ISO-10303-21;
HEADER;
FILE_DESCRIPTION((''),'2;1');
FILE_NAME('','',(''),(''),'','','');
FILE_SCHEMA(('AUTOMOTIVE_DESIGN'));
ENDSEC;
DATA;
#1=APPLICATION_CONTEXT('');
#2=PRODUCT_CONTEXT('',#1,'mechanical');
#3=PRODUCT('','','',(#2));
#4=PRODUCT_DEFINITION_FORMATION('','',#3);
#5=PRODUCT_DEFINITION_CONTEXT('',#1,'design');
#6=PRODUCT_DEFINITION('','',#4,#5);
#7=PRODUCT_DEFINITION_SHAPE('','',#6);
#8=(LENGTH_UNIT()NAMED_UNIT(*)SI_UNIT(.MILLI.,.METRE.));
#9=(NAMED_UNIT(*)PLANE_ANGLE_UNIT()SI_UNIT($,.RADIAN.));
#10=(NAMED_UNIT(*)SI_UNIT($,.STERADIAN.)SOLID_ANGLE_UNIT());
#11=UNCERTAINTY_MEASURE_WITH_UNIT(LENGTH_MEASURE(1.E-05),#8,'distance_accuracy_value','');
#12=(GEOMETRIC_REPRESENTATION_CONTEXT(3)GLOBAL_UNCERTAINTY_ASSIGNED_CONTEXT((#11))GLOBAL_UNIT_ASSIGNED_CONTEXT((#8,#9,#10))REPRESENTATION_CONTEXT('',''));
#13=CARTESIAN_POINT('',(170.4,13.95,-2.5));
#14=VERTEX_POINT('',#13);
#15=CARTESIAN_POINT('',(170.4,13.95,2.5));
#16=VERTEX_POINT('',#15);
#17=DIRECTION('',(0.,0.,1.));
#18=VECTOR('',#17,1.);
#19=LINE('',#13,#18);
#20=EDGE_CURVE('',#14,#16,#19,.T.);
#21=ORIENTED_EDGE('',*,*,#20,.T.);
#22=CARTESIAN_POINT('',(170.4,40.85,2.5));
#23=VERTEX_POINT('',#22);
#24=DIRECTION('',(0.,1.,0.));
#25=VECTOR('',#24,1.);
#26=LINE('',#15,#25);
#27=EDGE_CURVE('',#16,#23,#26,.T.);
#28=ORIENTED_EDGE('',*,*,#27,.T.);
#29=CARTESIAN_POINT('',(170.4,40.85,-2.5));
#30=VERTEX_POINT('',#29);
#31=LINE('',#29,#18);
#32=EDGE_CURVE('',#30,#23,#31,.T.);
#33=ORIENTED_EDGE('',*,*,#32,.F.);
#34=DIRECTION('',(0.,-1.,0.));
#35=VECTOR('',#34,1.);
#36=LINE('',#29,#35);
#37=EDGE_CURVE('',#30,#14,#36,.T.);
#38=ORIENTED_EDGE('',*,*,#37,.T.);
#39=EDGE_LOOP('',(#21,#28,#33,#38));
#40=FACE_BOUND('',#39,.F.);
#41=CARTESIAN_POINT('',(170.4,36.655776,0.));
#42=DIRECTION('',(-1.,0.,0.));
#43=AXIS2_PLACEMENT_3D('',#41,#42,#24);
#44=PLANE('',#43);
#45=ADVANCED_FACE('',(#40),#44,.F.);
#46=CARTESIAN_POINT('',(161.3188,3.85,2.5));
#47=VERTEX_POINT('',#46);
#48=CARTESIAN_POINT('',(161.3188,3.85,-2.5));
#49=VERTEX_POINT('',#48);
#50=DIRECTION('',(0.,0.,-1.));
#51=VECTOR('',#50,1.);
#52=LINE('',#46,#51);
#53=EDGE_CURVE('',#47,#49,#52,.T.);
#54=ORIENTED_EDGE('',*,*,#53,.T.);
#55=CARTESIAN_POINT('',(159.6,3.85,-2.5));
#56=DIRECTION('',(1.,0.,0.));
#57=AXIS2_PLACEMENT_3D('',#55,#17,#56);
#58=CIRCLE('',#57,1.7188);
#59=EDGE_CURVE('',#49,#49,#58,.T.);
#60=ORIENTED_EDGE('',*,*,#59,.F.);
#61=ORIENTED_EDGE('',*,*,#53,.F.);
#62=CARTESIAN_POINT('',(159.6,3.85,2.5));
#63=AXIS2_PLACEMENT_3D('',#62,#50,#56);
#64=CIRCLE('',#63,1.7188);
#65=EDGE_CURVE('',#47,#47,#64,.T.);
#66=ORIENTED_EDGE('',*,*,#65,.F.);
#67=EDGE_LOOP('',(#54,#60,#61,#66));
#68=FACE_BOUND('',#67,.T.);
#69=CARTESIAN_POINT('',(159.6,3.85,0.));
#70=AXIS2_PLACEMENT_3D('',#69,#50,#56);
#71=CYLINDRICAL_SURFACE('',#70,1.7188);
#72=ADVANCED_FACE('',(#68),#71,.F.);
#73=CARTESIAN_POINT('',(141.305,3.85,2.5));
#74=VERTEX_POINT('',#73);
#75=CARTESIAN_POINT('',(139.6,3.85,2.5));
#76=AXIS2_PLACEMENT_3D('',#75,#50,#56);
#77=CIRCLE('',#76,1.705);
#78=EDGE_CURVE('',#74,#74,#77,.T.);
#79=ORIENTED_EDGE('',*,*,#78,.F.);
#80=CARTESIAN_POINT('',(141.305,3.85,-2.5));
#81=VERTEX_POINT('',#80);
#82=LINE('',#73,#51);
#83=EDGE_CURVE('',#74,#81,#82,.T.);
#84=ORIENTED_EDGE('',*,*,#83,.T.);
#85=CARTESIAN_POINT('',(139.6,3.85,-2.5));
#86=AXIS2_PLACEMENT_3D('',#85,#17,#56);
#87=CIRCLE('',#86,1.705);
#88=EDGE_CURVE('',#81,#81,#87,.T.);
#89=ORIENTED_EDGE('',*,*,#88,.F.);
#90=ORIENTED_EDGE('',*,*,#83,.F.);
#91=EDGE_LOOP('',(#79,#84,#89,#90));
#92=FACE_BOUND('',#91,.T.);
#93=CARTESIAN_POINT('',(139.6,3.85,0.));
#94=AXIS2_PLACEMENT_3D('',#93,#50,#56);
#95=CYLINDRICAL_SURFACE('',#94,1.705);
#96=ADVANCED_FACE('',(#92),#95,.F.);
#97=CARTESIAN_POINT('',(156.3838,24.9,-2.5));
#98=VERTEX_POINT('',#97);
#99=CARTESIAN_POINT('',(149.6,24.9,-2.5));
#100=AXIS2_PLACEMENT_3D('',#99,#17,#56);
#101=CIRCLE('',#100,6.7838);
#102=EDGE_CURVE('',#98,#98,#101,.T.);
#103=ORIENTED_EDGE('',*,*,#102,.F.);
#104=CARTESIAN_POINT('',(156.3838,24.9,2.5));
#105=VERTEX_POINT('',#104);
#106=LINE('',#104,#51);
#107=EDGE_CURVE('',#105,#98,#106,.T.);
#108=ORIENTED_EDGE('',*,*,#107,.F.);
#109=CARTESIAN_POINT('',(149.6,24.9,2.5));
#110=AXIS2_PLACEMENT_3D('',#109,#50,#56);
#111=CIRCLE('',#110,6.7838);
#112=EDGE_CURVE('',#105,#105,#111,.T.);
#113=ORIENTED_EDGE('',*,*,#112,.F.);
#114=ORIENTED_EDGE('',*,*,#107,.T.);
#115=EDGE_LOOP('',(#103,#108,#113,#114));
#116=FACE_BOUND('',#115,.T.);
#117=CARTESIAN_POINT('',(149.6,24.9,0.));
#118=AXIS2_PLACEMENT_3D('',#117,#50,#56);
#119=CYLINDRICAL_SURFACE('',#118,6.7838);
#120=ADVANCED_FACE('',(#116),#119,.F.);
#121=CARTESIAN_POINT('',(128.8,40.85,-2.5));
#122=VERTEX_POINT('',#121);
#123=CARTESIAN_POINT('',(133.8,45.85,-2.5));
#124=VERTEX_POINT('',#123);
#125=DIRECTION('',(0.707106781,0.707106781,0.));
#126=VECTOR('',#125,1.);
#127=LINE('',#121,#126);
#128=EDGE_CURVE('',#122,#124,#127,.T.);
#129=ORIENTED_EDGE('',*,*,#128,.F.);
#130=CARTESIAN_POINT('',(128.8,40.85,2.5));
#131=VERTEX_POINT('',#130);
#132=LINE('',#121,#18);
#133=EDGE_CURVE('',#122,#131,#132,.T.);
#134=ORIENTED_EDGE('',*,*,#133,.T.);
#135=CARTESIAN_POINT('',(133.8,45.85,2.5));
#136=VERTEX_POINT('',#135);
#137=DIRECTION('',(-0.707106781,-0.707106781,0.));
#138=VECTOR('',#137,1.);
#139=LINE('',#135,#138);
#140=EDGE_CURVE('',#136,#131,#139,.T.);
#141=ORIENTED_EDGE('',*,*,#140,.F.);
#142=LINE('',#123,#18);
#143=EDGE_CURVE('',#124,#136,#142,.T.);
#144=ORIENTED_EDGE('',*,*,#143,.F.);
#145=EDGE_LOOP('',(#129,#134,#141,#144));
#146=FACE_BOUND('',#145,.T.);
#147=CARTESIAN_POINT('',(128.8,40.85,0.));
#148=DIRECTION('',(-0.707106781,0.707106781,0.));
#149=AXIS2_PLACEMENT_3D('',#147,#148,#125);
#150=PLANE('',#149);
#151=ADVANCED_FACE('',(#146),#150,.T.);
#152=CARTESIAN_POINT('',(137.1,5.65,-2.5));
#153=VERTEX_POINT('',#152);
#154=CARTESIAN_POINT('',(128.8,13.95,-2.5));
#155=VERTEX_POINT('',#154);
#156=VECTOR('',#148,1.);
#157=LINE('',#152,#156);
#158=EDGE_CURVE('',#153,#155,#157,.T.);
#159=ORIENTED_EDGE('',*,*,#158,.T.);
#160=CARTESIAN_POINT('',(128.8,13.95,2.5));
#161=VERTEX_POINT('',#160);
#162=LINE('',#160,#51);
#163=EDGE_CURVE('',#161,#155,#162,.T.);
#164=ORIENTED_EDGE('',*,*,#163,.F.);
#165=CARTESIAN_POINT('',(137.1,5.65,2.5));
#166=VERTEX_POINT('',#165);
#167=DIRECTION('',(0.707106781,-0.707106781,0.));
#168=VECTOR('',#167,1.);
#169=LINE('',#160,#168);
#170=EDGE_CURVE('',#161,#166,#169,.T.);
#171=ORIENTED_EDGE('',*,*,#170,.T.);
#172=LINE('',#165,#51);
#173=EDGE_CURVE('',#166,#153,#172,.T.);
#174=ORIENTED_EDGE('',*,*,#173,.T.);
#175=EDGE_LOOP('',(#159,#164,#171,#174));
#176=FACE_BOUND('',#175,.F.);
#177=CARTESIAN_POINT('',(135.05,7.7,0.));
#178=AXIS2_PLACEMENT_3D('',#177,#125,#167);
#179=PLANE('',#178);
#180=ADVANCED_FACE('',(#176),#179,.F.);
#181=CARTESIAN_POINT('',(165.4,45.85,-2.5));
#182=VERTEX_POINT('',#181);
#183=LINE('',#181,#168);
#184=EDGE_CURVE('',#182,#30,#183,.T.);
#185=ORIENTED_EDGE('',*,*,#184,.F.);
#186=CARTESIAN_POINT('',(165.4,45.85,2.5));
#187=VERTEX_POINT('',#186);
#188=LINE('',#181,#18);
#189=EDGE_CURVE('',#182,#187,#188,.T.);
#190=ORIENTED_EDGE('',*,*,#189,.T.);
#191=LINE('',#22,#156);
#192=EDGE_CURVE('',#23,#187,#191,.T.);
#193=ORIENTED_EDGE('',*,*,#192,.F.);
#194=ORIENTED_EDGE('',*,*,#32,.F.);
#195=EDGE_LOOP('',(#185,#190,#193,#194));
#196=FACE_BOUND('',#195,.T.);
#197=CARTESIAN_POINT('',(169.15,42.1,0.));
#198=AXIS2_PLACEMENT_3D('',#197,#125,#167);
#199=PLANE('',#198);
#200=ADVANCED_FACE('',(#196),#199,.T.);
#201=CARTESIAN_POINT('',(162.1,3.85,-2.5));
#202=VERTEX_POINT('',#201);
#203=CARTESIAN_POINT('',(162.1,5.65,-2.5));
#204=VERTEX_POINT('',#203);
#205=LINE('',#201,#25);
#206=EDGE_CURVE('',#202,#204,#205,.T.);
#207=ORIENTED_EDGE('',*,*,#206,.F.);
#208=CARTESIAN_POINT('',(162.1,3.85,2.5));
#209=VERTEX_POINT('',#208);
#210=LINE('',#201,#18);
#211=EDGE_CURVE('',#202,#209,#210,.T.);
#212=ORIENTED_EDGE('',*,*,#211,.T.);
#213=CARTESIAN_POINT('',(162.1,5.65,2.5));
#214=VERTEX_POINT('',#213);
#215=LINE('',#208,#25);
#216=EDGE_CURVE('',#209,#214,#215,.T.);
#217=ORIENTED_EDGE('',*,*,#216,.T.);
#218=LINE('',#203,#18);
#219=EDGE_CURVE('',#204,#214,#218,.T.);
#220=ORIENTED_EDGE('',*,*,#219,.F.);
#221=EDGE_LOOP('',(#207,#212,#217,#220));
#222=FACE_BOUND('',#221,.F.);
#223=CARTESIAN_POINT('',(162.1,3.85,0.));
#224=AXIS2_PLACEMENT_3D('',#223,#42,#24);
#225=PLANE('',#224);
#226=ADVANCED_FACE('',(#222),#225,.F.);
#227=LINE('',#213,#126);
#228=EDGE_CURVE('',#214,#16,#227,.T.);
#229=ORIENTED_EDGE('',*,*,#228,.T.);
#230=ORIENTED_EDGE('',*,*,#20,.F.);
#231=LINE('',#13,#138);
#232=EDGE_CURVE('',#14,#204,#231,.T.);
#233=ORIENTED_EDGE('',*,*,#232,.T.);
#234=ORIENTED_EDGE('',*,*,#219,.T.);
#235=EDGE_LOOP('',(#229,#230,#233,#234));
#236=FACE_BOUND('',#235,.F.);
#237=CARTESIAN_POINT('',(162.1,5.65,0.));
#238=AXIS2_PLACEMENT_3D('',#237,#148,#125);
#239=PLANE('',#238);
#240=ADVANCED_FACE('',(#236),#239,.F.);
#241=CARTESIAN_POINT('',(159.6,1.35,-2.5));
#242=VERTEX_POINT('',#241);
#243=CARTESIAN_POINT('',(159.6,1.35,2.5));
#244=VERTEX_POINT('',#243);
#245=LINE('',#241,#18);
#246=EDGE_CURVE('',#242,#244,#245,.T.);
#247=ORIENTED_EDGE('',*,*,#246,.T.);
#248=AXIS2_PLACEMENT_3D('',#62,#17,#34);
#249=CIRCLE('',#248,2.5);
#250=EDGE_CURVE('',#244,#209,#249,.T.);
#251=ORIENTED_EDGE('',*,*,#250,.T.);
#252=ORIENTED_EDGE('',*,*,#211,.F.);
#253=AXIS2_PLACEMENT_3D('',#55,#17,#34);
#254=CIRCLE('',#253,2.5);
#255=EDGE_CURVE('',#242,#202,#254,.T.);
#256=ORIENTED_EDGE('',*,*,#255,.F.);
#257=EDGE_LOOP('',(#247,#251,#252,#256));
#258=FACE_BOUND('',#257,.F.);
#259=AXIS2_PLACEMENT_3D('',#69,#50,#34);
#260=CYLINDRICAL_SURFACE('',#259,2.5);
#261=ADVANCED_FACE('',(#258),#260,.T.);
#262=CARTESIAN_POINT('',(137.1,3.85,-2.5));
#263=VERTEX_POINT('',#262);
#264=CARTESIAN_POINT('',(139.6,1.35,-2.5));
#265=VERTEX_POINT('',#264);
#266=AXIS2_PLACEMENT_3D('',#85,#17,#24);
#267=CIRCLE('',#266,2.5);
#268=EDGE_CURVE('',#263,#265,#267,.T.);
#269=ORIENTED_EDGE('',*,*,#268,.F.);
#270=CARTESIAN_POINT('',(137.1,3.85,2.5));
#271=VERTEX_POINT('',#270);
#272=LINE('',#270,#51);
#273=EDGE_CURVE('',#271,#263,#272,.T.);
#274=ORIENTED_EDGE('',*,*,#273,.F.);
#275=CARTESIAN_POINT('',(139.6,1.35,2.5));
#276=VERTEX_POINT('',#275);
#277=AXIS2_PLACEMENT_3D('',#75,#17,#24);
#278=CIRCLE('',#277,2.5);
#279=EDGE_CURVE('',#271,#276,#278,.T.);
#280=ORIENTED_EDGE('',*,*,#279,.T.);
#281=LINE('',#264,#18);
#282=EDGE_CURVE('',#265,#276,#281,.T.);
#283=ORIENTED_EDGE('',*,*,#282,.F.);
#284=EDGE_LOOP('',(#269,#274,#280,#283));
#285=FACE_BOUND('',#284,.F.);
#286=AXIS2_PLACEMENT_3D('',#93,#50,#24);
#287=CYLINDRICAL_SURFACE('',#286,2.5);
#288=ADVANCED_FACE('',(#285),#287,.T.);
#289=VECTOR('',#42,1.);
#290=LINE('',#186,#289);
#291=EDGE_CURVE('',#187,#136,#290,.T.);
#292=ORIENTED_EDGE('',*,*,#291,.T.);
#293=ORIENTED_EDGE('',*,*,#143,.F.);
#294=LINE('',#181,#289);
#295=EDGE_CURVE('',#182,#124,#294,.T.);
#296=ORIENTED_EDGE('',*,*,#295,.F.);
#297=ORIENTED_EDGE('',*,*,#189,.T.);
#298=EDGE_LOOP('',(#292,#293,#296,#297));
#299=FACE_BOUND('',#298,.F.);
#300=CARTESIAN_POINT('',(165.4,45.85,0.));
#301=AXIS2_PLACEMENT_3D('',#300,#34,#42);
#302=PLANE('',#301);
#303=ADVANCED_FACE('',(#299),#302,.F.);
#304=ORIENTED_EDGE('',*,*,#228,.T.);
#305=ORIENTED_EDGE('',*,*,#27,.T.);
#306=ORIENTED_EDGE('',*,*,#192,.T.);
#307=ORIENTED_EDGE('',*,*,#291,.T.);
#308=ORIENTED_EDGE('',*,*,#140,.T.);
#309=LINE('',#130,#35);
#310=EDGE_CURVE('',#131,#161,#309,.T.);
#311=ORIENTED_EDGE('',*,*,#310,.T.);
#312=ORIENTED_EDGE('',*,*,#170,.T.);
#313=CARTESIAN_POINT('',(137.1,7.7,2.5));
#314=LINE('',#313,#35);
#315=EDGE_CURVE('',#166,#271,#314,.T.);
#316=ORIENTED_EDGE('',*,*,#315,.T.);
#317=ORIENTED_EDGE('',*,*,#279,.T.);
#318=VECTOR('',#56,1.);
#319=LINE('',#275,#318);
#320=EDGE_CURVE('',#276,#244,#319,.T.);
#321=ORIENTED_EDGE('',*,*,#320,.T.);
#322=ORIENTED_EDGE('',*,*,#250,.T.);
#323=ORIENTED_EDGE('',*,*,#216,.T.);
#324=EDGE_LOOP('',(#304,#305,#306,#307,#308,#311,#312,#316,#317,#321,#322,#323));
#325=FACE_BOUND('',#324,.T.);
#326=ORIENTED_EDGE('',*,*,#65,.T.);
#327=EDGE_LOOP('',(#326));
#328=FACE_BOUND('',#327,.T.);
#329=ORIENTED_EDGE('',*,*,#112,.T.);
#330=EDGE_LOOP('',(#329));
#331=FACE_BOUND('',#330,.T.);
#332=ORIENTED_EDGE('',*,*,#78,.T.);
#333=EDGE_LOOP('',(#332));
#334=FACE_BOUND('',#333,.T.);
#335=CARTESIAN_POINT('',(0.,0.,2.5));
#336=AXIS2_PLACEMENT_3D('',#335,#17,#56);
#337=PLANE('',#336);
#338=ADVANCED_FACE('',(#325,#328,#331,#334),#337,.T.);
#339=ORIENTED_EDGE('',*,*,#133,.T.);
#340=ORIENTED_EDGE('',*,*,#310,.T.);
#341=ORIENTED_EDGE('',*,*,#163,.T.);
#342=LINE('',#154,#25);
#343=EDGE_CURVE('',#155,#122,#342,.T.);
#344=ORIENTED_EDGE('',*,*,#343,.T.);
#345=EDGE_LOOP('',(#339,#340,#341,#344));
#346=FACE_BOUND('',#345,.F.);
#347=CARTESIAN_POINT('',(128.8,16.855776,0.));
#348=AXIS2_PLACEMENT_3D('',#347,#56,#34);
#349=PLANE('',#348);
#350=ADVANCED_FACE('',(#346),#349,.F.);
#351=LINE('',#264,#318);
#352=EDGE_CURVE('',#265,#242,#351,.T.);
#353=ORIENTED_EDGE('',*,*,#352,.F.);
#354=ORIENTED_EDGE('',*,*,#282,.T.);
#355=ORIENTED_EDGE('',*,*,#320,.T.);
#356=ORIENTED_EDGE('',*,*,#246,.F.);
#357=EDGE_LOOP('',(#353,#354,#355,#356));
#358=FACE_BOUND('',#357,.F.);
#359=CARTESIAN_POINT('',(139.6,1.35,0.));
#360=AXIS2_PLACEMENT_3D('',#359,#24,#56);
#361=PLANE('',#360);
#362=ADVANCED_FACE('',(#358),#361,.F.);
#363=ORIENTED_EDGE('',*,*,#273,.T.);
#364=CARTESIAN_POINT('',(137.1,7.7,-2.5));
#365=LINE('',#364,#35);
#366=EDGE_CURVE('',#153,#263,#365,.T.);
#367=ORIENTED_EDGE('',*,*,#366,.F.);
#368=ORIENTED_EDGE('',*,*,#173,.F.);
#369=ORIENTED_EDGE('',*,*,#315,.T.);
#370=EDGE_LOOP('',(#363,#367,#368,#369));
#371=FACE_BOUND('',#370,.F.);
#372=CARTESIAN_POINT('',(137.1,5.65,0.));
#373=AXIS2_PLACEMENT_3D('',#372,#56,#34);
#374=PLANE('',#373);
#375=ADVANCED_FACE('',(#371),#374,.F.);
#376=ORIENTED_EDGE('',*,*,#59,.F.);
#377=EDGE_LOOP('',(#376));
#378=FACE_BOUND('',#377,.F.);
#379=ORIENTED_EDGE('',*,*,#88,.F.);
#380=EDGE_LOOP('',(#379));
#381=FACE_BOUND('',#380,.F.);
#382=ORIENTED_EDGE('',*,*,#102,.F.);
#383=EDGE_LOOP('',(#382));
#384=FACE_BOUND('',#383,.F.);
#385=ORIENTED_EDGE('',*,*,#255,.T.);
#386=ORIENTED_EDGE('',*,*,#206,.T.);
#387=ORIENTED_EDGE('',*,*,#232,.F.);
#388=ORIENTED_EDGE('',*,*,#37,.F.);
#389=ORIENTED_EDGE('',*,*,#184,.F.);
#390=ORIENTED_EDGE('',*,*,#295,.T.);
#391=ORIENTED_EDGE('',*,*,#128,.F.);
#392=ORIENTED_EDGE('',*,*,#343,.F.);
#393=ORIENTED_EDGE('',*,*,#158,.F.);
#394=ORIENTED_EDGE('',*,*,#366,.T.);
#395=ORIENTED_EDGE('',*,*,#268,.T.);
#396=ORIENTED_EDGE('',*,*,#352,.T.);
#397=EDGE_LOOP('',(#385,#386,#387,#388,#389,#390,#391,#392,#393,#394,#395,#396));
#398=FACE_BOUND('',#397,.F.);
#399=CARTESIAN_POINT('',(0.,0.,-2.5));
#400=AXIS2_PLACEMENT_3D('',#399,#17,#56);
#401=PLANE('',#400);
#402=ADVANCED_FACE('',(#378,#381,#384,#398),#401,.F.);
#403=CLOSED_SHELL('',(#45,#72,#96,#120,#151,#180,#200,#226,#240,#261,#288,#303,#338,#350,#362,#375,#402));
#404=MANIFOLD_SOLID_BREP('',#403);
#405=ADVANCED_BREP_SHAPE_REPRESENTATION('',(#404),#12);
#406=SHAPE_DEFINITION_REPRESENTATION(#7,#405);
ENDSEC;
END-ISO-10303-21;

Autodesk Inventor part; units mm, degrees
ref_plane "YZ Plane" through (0, 0, 0) normal (1, 0, 0) x (0, 1, 0)
ref_plane "XZ Plane" through (0, 0, 0) normal (0, 1, 0) x (-1, 0, 0)
ref_plane "XY Plane" through (0, 0, 0) normal (0, 0, 1) x (1, 0, 0)
sketch "Sketch1" plane through (0, 0, 0) normal (0, 0, 1) x (1, 0, 0)
  line L0 (139.6, 3.85) -> (159.6, 3.85) construction
  line L1 (139.6, 1.35) -> (159.6, 1.35)
  line L2 (159.6, 6.35) -> (139.6, 6.35)
  arc A0 (139.6, 6.35) -> (139.6, 1.35) centre (139.6, 3.85) ccw
  arc A1 (159.6, 1.35) -> (159.6, 6.35) centre (159.6, 3.85) ccw
  line L3 (137.1, 3.85) -> (162.1, 3.85)
  line L4 (162.1, 3.85) -> (162.1, 7.7)
  line L5 (162.1, 7.7) -> (137.1, 7.7)
  line L6 (137.1, 7.7) -> (137.1, 3.85)
  line L7 (132.55, 42.1) -> (166.65, 42.1)
  line L8 (166.65, 42.1) -> (166.65, 7.7)
  line L9 (166.65, 7.7) -> (132.55, 7.7)
  line L10 (132.55, 7.7) -> (132.55, 42.1)
  line L11 (165.4, 45.85) -> (133.8, 45.85)
  line L12 (128.8, 40.85) -> (128.8, 13.95)
  line L13 (138.8, 3.95) -> (160.4, 3.95)
  line L14 (170.4, 13.95) -> (170.4, 40.85)
  line L15 (128.8, 40.85) -> (133.8, 45.85)
  line L16 (165.4, 45.85) -> (170.4, 40.85)
  line L17 (128.8, 13.95) -> (138.8, 3.95)
  line L18 (160.4, 3.95) -> (170.4, 13.95)
  line L19 (132.55, 24.9) -> (166.65, 24.9)
  circle A2 centre (149.6, 24.9) radius 6.7838
  circle A3 centre (139.6, 3.85) radius 1.705
  circle A4 centre (159.6, 3.85) radius 1.7188
  line L20 (172.5, 0.025) -> (126.7, 0.025) projected
  line L21 (172.5, 42.1) -> (172.5, 0.025) projected
  line L22 (172.5, 42.1) -> (166.65, 42.1) projected
  line L23 (166.65, 7.7) -> (166.65, 42.1) projected
  line L24 (132.55, 7.7) -> (166.65, 7.7) projected
  line L25 (132.55, 7.7) -> (132.55, 42.1) projected
  line L26 (132.55, 42.1) -> (126.7, 42.1) projected
  line L27 (126.7, 0.025) -> (126.7, 42.1) projected
  circle A5 centre (169.5, 34.8) radius 2.0625 projected
  circle A6 centre (129.7, 34.8) radius 2.0625 projected
  circle A7 centre (169.5, 15) radius 2.0625 projected
  circle A8 centre (129.7, 15) radius 2.0625 projected
  circle A9 centre (159.6, 3.85) radius 1.5625 projected
  circle A10 centre (139.6, 3.85) radius 1.5625 projected
  point P0 (0, 0)
  point P1 (149.6, 3.85)
  point P2 (170.4, 45.85)
  point P3 (128.8, 45.85)
  point P4 (128.8, 3.95)
  point P5 (170.4, 3.95)
  point P6 (137.5172, 5.2328)
  point P7 (161.6828, 5.2328)
  point P8 (162.1, 5.65)
  point P9 (162.1, 3.85)
  point P10 (137.1, 5.65)
  dimension "d0" = 5
  dimension "d1" = 25
  dimension "d2" = 3.75
  dimension "d3" = 5
  dimension "d4" = 5
  dimension "d5" = 5
  dimension "d6" = 5
  dimension "d7" = 10
  dimension "d8" = 10
  dimension "d9" = 10
  dimension "d10" = 10
  dimension "d11" = 13.5675
  dimension "d16" = 0.1562
  dimension "d17" = 0.1425
extrude "Extrusion1" add sketch "Sketch1" along normal mid plane 5 contours A0 L3 A3 A4 A1 L1 | L6 L17 A0 | A0 L17 A3 L3 | L3 A4 L18 A1 | A1 L18 L4 | L17 L6 L5 L4 L18 A1 L2 A0 | A0 L2 A1 L18 A4 L13 A3 L17 | L17 L9 L6 | L4 L9 L18 | A3 L13 A4 L3 | L9 L17 L10 L19 A2 L8 L18 L5 | L17 A8 L12 A6 L15 L26 L10 | L8 L22 L16 L14 A5 A7 L18 | L10 L7 L8 L19 A2 | L17 L12 A8 | A7 L14 L18 | L26 L15 L11 L16 L22 L7 | L12 A6 | A5 L14 picked at (130.3651, 15.6172) picked at (169.0173, 15.7688) picked at (129.7875, 34.8) picked at (169.4174, 34.7184)
equation "\"d4\" = d3"
equation "\"d5\" = d3"
equation "\"d6\" = d5"
equation "\"d8\" = d7"
equation "\"d9\" = d7"
equation "\"d10\" = d9"
properties part number "Filter Mount (SM1)"
